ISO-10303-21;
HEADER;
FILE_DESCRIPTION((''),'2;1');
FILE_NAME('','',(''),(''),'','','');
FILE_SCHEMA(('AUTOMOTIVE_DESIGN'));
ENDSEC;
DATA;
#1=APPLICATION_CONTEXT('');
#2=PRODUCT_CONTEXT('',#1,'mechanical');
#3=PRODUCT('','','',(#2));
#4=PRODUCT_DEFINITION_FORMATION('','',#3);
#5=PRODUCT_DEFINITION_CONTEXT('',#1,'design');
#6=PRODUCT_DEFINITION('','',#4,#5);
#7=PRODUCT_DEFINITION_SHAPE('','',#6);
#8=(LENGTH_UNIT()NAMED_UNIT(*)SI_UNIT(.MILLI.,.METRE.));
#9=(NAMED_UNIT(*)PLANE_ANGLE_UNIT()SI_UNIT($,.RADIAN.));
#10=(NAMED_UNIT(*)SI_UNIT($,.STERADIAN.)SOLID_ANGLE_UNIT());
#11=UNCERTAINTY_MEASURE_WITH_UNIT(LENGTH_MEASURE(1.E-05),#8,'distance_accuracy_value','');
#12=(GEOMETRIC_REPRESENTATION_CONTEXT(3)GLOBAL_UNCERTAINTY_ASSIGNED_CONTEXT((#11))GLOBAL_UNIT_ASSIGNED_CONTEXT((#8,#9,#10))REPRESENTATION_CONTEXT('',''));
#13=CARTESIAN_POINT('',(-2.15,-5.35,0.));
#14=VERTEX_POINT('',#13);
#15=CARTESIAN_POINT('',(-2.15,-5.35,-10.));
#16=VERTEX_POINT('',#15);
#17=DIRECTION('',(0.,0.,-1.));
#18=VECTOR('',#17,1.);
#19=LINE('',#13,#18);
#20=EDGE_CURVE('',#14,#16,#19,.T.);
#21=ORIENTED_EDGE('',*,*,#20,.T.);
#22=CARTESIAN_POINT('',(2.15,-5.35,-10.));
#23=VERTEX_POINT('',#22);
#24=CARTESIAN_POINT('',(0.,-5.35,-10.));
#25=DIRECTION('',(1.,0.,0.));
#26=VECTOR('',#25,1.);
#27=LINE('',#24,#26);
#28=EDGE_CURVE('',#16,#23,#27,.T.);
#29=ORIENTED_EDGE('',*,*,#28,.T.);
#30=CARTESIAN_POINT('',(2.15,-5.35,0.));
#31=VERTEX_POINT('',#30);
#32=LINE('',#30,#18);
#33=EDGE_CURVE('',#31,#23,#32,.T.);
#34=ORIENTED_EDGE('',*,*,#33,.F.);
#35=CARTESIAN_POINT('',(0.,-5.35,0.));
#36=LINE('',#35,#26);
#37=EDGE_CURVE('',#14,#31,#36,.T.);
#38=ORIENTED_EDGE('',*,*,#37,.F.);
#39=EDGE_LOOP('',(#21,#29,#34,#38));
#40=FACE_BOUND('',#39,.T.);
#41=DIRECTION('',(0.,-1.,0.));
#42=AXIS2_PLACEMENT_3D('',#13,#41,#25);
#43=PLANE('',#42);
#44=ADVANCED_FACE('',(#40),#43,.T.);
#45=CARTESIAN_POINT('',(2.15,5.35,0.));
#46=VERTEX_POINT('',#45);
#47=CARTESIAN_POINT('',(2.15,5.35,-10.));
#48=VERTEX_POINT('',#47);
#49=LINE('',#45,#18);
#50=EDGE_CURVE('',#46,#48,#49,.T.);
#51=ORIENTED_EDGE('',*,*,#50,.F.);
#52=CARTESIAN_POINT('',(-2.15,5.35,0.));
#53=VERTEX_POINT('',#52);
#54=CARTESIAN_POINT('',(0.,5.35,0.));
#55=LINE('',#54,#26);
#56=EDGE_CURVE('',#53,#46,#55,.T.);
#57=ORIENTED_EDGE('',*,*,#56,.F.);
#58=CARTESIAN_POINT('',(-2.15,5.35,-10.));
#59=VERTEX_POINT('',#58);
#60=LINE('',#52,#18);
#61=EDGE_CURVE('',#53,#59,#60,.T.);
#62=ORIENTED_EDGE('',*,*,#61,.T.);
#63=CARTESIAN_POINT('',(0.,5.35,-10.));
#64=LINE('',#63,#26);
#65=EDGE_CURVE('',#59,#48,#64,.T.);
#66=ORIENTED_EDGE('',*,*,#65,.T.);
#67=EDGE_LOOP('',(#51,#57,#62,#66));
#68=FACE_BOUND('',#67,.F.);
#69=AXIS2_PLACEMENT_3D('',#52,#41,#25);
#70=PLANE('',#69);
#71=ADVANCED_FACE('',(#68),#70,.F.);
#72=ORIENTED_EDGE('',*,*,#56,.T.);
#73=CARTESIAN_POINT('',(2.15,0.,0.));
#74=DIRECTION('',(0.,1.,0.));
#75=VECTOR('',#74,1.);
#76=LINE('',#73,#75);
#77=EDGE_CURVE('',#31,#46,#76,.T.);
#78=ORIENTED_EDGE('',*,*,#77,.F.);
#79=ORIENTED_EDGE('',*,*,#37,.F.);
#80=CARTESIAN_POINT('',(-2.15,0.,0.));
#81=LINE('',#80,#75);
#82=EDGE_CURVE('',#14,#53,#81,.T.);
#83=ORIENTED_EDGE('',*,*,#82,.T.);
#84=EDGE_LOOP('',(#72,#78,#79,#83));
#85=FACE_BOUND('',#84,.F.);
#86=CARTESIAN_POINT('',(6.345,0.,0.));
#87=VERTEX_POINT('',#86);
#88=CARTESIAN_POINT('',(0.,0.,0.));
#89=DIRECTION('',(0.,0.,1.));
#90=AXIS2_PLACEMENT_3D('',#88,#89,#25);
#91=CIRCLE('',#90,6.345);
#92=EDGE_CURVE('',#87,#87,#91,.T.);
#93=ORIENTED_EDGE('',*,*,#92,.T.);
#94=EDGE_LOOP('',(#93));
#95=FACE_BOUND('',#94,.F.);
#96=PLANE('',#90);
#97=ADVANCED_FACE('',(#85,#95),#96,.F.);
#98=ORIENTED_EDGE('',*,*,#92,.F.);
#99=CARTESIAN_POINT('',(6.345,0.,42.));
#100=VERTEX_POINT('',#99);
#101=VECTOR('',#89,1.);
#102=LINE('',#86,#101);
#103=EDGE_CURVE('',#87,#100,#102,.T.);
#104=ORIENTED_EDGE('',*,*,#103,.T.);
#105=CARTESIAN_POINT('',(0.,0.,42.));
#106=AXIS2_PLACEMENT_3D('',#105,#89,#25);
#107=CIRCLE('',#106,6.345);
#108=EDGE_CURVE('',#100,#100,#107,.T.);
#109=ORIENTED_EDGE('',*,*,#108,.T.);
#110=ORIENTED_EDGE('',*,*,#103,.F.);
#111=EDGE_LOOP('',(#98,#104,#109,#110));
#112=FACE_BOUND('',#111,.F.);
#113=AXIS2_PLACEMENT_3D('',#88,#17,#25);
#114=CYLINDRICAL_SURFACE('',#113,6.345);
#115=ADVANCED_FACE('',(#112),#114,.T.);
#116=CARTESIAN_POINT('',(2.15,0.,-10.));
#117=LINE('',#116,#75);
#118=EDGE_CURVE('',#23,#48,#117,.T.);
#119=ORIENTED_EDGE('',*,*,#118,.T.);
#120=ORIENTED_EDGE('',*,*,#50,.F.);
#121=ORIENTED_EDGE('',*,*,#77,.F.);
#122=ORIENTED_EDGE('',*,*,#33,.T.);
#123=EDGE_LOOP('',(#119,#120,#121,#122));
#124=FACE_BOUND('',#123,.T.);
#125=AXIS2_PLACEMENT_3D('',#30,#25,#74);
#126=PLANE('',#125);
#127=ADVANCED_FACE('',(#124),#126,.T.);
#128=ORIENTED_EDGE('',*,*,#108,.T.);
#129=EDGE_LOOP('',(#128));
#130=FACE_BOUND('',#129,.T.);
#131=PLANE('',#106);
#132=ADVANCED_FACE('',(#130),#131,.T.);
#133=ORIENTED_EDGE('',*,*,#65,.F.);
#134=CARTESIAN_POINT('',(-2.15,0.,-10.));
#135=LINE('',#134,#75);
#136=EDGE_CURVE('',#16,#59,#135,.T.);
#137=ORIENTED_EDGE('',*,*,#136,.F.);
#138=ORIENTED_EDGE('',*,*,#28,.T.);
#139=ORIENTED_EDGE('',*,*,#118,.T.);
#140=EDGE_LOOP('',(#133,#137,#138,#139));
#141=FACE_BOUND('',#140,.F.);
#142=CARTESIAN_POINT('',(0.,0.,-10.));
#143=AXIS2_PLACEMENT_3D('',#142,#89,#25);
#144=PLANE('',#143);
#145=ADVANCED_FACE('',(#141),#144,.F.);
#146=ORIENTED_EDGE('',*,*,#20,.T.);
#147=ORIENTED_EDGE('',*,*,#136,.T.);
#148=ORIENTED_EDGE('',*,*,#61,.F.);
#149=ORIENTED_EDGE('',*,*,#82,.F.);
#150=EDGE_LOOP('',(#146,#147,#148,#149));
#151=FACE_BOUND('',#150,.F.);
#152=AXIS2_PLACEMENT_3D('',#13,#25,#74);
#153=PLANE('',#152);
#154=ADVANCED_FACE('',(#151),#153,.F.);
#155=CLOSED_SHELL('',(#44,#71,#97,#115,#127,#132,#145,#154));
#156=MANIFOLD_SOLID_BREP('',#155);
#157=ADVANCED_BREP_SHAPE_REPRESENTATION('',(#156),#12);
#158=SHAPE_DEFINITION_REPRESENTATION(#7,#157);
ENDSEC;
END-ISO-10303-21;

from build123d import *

# Parameters (mm, degrees)
F0_R     = 6.345
F0_W     = 4.3
F0_H     = 10.7
F1_DEPTH = 42
F2_DEPTH = 10


with BuildPart() as f1:
    # F0 (on Top) → F1 (new body)
    with BuildSketch(Plane.XY):
        Circle(F0_R)
        Rectangle(F0_W, F0_H, mode=Mode.SUBTRACT)
        Rectangle(F0_W, F0_H)
    extrude(amount=F1_DEPTH)

    # F0 (on Top) → F2 (join)
    with BuildSketch(Plane.XY):
        Rectangle(F0_W, F0_H)
    extrude(amount=-F2_DEPTH)


solid = f1.part
